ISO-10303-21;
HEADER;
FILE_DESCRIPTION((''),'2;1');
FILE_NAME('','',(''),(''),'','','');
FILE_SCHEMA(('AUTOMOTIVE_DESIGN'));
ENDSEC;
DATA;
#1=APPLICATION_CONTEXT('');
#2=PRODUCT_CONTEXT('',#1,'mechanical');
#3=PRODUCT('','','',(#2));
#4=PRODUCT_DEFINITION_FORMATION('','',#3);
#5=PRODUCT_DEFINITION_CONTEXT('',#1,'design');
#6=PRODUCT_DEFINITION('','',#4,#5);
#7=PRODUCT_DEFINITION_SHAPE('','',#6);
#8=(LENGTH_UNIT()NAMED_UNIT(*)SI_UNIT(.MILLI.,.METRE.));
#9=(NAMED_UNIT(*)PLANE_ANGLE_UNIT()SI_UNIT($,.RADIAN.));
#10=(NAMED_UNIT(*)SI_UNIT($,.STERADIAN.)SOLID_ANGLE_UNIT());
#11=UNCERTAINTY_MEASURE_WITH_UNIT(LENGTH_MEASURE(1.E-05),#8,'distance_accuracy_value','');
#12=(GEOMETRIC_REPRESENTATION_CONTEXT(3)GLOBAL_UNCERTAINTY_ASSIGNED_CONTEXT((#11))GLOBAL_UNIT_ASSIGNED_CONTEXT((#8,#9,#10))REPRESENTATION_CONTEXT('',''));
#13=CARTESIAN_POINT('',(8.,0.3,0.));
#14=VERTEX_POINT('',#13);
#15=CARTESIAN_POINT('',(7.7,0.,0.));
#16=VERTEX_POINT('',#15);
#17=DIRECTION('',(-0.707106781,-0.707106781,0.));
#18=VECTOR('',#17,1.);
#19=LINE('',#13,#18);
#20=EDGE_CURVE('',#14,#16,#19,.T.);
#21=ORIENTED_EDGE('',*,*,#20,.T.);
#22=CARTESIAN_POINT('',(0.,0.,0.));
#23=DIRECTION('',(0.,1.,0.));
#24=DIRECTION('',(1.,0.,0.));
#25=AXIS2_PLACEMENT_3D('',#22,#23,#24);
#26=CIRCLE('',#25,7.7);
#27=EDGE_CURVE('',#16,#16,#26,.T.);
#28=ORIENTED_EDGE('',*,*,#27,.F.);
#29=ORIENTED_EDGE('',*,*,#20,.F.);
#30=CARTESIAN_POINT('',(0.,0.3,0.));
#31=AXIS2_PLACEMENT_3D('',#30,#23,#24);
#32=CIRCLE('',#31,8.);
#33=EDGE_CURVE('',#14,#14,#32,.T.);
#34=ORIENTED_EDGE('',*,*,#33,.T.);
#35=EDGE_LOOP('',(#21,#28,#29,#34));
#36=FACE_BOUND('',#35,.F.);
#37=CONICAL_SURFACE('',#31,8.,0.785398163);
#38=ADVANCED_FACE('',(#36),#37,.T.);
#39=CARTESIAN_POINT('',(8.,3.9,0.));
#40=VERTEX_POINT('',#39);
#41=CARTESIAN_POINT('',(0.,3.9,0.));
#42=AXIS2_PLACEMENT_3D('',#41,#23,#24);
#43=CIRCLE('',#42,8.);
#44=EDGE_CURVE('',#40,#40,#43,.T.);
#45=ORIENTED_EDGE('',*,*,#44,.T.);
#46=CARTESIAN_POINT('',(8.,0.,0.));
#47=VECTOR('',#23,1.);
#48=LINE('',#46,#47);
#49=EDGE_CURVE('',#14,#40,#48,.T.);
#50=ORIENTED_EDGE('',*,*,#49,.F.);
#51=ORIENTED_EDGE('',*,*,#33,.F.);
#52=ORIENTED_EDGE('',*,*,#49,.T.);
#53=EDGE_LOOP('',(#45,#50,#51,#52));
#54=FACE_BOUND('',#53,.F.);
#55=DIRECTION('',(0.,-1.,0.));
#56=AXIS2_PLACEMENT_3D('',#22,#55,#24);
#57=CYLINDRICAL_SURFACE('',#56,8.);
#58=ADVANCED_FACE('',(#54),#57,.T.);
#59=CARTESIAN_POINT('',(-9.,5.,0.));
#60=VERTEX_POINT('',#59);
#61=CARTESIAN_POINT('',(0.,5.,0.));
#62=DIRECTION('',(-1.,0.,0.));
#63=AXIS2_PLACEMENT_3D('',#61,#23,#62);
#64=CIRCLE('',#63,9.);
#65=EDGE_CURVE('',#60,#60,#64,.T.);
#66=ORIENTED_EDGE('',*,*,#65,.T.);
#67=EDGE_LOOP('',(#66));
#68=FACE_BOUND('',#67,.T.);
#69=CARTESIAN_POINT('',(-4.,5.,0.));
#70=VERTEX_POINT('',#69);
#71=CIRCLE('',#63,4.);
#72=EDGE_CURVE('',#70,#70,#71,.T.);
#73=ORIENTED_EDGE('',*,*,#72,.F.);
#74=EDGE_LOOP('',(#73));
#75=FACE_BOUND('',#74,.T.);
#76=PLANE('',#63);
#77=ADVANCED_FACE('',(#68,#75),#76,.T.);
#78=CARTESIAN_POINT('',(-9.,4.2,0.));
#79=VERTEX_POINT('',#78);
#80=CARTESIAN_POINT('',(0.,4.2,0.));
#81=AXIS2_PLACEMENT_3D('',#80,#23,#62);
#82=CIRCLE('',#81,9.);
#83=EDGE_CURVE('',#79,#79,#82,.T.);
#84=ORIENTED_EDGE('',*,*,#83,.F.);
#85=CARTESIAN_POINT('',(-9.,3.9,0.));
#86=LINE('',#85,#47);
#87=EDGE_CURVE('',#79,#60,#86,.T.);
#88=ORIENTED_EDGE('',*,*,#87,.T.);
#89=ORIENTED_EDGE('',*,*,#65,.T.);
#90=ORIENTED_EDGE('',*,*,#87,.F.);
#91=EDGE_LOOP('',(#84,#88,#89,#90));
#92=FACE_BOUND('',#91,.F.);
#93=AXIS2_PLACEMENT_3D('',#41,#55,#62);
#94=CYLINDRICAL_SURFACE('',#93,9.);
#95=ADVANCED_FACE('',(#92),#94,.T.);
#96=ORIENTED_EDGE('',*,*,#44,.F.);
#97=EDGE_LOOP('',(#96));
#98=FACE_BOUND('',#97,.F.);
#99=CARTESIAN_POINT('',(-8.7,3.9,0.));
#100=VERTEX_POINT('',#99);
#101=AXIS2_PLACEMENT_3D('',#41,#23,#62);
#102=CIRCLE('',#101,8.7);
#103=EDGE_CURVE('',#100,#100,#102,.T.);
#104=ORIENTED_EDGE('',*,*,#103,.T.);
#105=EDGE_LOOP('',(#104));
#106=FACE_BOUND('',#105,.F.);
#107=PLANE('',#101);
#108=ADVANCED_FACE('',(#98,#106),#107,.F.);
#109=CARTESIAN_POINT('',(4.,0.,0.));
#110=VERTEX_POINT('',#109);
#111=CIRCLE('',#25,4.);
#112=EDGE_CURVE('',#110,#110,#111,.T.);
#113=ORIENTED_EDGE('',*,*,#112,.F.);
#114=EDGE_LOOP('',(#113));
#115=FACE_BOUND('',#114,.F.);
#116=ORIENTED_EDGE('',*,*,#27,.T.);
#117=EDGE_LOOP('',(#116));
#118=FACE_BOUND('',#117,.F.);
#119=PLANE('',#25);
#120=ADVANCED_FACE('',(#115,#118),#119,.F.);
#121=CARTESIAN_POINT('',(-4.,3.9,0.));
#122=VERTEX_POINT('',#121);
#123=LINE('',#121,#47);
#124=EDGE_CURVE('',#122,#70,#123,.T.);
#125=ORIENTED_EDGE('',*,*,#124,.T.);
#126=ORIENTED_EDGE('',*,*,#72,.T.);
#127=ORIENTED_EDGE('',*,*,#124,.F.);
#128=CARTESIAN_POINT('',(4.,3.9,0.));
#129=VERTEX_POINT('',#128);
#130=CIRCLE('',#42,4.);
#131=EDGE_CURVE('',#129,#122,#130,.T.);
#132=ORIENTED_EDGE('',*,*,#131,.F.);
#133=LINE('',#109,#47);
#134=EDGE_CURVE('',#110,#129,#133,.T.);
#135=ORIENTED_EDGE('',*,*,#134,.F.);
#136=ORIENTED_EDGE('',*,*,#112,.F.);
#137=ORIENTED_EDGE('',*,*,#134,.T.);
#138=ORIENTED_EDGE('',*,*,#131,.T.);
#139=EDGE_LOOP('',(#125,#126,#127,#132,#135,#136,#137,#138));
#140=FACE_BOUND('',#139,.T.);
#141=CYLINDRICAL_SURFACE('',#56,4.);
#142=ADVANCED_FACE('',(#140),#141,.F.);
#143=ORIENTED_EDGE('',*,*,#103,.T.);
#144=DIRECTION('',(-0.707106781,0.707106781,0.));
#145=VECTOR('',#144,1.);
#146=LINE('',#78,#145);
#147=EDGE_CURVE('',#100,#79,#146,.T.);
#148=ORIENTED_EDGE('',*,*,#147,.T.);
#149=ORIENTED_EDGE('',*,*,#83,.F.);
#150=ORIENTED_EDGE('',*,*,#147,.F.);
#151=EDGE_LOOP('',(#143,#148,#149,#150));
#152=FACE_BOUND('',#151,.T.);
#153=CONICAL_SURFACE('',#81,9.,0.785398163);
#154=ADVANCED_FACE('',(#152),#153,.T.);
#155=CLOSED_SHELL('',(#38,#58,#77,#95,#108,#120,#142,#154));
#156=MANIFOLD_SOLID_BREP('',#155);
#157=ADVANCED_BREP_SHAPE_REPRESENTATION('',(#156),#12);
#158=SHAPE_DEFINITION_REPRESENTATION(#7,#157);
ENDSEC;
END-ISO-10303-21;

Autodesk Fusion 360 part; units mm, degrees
sketch "Esboço1" plane through (0, 0, 0) normal (0, 1, 0) x (1, 0, 0)
  circle A0 centre (0, 0) radius 8
  circle A1 centre (0, 0) radius 4
  dimension "d1" = 16
  dimension "d2" = 8
extrude "Extrusão1" add sketch "Esboço1" along normal blind 3.9
sketch "Esboço2" plane through (0, 3.9, 0) normal (0, 1, 0) x (-1, 0, 0)
  circle A0 centre (0, 0) radius 4
  circle A1 centre (0, 0) radius 8
  circle A2 centre (0, 0) radius 9
  dimension "d5" = 18
extrude "Extrusão2" add sketch "Esboço2" along normal blind 1.1 contours A1 | A2
chamfer "Chanfro1" distance 0.3 angle 45 1 edges at (-7.4586, 0, 2.8929)
chamfer "Chanfro2" distance 0.3 angle 45 1 edges at (8.3909, 3.9, -3.2545)
